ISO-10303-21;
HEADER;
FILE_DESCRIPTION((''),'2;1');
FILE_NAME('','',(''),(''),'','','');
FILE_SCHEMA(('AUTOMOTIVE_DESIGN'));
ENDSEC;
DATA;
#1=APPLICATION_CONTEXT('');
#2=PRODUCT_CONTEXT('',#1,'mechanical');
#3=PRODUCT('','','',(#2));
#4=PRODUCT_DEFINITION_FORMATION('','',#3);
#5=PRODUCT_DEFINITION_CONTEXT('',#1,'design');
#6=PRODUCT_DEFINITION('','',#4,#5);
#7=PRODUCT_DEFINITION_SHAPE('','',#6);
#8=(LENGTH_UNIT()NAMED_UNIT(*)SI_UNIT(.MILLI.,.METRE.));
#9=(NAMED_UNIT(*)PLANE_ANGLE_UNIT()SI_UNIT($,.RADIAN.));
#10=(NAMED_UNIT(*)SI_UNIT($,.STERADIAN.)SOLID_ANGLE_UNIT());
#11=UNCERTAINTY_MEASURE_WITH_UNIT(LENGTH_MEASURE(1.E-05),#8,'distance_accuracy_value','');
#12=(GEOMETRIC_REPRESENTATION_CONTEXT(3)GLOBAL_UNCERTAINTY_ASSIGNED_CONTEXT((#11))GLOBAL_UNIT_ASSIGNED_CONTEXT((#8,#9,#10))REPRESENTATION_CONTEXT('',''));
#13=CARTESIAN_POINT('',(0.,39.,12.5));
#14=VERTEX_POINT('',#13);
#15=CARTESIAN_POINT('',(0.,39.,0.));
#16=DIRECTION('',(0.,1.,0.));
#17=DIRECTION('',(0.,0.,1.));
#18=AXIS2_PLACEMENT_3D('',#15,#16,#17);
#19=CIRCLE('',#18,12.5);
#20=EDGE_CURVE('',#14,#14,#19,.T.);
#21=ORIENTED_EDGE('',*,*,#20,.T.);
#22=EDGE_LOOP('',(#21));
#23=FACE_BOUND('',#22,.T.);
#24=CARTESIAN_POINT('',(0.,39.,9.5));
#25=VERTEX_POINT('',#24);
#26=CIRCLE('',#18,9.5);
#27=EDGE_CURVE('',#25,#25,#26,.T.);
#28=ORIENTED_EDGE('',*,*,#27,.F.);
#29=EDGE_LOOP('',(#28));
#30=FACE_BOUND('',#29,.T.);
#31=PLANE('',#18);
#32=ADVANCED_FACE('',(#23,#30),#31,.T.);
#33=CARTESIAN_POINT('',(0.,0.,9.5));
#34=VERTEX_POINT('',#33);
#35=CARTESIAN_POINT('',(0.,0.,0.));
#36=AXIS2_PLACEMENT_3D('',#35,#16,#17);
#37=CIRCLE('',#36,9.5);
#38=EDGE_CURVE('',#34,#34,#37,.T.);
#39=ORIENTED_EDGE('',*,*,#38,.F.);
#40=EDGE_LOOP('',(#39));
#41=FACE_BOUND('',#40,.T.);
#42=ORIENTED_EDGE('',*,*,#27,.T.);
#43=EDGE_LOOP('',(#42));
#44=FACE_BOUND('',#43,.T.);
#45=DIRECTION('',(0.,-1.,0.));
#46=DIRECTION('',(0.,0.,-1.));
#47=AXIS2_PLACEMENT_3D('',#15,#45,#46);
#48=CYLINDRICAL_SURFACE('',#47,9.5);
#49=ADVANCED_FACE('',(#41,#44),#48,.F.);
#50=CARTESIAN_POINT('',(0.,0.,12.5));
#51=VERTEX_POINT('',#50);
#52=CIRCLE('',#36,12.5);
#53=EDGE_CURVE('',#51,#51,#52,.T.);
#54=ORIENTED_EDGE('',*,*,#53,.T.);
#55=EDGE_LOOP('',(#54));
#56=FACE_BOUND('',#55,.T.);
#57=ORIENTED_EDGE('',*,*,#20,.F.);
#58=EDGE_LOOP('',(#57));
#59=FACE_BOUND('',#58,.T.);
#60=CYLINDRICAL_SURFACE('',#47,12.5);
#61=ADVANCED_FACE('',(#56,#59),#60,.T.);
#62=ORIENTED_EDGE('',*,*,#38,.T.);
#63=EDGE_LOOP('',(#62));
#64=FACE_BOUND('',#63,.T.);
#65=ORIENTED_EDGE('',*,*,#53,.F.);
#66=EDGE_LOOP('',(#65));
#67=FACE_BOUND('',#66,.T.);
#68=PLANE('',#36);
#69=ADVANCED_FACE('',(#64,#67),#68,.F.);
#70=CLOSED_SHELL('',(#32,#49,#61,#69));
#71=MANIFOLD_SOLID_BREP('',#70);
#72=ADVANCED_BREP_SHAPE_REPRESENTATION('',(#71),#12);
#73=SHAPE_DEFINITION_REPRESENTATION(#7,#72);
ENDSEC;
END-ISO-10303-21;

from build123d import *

# Parameters (mm, degrees)
CROQUIS1_R              = 12.5
CROQUIS1_R_2            = 9.5
SALIENTE_EXTRUIR1_DEPTH = 39


with BuildPart() as part:
    # Croquis1 → Saliente-Extruir1 (new body)
    with BuildSketch(Plane(origin=(0, 0, 0), x_dir=(1, 0, 0), z_dir=(0, 1, 0))):
        Circle(CROQUIS1_R)
        Circle(CROQUIS1_R_2, mode=Mode.SUBTRACT)
    extrude(amount=SALIENTE_EXTRUIR1_DEPTH)


solid = part.part
